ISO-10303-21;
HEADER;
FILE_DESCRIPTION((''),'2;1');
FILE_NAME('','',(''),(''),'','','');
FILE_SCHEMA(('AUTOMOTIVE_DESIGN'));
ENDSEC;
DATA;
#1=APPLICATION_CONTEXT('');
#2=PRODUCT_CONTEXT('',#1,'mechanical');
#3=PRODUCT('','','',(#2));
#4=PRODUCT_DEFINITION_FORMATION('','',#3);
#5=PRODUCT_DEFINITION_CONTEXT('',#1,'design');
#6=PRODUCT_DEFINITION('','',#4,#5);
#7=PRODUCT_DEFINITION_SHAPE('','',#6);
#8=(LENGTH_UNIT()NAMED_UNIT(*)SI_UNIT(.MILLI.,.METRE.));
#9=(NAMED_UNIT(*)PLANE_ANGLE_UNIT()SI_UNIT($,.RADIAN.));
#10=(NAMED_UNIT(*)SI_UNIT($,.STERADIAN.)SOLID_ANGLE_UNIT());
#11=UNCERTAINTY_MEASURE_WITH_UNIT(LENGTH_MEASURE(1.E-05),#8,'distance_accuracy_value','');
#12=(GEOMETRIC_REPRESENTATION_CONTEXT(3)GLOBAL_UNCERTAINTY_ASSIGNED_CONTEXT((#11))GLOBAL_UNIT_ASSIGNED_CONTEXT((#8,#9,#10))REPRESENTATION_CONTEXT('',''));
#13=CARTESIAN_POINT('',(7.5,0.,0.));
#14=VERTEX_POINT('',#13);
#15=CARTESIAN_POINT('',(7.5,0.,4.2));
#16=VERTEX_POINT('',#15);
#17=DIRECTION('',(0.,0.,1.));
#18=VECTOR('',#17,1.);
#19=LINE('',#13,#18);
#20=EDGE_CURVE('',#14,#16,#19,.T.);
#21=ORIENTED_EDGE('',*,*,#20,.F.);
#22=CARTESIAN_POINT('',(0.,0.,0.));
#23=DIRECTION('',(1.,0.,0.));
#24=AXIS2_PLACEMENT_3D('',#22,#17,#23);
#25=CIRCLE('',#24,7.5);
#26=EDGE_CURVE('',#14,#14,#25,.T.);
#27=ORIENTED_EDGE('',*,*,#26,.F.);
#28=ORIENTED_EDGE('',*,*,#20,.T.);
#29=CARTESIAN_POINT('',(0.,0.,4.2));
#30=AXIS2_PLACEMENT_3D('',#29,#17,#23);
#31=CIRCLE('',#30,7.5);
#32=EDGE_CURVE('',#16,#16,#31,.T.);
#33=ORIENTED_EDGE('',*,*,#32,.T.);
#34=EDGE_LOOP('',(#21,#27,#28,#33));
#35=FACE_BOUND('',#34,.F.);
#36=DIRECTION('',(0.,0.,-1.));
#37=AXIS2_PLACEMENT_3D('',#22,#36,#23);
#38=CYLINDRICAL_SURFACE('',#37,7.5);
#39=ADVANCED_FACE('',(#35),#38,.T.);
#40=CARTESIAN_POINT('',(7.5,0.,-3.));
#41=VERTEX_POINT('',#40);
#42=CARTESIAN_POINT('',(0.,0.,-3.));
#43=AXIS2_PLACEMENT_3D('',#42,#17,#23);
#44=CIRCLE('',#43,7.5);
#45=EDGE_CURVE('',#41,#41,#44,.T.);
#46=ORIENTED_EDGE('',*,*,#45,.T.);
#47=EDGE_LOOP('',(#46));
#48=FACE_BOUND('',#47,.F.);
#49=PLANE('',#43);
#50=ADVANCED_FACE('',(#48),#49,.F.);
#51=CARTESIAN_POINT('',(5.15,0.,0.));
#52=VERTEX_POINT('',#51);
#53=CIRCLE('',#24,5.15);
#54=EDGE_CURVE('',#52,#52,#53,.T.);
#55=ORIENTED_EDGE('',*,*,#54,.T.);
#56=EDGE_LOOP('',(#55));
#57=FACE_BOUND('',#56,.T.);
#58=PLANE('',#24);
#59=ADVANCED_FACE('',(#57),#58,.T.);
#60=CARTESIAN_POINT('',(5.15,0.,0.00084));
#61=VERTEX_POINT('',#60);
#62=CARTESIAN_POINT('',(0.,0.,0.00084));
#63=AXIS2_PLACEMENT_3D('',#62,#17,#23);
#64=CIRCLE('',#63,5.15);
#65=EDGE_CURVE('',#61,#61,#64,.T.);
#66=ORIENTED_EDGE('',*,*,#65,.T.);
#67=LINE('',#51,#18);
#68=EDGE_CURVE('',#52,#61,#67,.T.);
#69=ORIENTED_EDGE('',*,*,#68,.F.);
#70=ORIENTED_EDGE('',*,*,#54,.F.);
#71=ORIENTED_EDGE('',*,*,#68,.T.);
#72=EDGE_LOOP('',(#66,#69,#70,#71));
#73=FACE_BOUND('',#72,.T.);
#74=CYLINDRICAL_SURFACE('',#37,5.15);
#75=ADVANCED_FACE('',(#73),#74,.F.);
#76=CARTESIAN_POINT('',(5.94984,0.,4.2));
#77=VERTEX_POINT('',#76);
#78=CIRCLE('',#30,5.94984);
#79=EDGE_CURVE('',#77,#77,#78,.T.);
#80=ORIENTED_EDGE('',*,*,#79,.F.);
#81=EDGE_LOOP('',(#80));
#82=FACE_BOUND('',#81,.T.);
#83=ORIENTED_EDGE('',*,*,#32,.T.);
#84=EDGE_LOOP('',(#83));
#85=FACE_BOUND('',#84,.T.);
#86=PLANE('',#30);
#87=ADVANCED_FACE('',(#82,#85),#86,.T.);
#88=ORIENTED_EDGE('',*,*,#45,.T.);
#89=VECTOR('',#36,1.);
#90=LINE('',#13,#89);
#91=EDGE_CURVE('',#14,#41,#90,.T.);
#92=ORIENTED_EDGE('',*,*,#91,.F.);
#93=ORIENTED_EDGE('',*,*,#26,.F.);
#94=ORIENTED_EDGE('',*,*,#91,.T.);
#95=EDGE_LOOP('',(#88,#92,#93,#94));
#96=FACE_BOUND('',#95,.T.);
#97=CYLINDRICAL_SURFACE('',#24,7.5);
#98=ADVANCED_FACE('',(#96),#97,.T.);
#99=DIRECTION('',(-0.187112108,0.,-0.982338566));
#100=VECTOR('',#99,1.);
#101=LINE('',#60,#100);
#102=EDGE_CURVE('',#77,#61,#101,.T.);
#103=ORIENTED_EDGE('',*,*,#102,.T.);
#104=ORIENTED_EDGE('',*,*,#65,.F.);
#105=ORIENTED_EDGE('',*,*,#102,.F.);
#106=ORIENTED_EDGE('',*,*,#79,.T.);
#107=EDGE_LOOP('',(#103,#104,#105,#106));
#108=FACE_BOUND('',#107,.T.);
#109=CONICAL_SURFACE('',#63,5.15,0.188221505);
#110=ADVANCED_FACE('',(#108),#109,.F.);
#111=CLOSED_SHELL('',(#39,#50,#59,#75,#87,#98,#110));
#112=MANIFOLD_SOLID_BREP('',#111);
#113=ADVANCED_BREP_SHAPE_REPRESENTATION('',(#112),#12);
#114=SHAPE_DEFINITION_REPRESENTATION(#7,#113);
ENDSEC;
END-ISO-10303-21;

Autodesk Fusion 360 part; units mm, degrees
sketch "Sketch1" plane through (0, 0, 0) normal (0, 0, 1) x (1, 0, 0)
  circle A0 centre (0, 0) radius 6
  circle A1 centre (0, 0) radius 7.5
  circle A2 centre (0, 0) radius 5.15
  dimension "d1" = 12
  dimension "d2" = 15
  dimension "d3" = 10.3
extrude "Extrude1" add sketch "Sketch1" along normal blind 4.2 contours A0 | A1
chamfer "Chamfer1" distance 0.8 distance2 4.2 1 edges at (-4.8015, 1.8623, 4.2) measured on face at (6.6696, -0.6285, 4.2)
extrude "Extrude2" add sketch "Sketch1" against normal blind 3 contours A0 | A1 | A2
